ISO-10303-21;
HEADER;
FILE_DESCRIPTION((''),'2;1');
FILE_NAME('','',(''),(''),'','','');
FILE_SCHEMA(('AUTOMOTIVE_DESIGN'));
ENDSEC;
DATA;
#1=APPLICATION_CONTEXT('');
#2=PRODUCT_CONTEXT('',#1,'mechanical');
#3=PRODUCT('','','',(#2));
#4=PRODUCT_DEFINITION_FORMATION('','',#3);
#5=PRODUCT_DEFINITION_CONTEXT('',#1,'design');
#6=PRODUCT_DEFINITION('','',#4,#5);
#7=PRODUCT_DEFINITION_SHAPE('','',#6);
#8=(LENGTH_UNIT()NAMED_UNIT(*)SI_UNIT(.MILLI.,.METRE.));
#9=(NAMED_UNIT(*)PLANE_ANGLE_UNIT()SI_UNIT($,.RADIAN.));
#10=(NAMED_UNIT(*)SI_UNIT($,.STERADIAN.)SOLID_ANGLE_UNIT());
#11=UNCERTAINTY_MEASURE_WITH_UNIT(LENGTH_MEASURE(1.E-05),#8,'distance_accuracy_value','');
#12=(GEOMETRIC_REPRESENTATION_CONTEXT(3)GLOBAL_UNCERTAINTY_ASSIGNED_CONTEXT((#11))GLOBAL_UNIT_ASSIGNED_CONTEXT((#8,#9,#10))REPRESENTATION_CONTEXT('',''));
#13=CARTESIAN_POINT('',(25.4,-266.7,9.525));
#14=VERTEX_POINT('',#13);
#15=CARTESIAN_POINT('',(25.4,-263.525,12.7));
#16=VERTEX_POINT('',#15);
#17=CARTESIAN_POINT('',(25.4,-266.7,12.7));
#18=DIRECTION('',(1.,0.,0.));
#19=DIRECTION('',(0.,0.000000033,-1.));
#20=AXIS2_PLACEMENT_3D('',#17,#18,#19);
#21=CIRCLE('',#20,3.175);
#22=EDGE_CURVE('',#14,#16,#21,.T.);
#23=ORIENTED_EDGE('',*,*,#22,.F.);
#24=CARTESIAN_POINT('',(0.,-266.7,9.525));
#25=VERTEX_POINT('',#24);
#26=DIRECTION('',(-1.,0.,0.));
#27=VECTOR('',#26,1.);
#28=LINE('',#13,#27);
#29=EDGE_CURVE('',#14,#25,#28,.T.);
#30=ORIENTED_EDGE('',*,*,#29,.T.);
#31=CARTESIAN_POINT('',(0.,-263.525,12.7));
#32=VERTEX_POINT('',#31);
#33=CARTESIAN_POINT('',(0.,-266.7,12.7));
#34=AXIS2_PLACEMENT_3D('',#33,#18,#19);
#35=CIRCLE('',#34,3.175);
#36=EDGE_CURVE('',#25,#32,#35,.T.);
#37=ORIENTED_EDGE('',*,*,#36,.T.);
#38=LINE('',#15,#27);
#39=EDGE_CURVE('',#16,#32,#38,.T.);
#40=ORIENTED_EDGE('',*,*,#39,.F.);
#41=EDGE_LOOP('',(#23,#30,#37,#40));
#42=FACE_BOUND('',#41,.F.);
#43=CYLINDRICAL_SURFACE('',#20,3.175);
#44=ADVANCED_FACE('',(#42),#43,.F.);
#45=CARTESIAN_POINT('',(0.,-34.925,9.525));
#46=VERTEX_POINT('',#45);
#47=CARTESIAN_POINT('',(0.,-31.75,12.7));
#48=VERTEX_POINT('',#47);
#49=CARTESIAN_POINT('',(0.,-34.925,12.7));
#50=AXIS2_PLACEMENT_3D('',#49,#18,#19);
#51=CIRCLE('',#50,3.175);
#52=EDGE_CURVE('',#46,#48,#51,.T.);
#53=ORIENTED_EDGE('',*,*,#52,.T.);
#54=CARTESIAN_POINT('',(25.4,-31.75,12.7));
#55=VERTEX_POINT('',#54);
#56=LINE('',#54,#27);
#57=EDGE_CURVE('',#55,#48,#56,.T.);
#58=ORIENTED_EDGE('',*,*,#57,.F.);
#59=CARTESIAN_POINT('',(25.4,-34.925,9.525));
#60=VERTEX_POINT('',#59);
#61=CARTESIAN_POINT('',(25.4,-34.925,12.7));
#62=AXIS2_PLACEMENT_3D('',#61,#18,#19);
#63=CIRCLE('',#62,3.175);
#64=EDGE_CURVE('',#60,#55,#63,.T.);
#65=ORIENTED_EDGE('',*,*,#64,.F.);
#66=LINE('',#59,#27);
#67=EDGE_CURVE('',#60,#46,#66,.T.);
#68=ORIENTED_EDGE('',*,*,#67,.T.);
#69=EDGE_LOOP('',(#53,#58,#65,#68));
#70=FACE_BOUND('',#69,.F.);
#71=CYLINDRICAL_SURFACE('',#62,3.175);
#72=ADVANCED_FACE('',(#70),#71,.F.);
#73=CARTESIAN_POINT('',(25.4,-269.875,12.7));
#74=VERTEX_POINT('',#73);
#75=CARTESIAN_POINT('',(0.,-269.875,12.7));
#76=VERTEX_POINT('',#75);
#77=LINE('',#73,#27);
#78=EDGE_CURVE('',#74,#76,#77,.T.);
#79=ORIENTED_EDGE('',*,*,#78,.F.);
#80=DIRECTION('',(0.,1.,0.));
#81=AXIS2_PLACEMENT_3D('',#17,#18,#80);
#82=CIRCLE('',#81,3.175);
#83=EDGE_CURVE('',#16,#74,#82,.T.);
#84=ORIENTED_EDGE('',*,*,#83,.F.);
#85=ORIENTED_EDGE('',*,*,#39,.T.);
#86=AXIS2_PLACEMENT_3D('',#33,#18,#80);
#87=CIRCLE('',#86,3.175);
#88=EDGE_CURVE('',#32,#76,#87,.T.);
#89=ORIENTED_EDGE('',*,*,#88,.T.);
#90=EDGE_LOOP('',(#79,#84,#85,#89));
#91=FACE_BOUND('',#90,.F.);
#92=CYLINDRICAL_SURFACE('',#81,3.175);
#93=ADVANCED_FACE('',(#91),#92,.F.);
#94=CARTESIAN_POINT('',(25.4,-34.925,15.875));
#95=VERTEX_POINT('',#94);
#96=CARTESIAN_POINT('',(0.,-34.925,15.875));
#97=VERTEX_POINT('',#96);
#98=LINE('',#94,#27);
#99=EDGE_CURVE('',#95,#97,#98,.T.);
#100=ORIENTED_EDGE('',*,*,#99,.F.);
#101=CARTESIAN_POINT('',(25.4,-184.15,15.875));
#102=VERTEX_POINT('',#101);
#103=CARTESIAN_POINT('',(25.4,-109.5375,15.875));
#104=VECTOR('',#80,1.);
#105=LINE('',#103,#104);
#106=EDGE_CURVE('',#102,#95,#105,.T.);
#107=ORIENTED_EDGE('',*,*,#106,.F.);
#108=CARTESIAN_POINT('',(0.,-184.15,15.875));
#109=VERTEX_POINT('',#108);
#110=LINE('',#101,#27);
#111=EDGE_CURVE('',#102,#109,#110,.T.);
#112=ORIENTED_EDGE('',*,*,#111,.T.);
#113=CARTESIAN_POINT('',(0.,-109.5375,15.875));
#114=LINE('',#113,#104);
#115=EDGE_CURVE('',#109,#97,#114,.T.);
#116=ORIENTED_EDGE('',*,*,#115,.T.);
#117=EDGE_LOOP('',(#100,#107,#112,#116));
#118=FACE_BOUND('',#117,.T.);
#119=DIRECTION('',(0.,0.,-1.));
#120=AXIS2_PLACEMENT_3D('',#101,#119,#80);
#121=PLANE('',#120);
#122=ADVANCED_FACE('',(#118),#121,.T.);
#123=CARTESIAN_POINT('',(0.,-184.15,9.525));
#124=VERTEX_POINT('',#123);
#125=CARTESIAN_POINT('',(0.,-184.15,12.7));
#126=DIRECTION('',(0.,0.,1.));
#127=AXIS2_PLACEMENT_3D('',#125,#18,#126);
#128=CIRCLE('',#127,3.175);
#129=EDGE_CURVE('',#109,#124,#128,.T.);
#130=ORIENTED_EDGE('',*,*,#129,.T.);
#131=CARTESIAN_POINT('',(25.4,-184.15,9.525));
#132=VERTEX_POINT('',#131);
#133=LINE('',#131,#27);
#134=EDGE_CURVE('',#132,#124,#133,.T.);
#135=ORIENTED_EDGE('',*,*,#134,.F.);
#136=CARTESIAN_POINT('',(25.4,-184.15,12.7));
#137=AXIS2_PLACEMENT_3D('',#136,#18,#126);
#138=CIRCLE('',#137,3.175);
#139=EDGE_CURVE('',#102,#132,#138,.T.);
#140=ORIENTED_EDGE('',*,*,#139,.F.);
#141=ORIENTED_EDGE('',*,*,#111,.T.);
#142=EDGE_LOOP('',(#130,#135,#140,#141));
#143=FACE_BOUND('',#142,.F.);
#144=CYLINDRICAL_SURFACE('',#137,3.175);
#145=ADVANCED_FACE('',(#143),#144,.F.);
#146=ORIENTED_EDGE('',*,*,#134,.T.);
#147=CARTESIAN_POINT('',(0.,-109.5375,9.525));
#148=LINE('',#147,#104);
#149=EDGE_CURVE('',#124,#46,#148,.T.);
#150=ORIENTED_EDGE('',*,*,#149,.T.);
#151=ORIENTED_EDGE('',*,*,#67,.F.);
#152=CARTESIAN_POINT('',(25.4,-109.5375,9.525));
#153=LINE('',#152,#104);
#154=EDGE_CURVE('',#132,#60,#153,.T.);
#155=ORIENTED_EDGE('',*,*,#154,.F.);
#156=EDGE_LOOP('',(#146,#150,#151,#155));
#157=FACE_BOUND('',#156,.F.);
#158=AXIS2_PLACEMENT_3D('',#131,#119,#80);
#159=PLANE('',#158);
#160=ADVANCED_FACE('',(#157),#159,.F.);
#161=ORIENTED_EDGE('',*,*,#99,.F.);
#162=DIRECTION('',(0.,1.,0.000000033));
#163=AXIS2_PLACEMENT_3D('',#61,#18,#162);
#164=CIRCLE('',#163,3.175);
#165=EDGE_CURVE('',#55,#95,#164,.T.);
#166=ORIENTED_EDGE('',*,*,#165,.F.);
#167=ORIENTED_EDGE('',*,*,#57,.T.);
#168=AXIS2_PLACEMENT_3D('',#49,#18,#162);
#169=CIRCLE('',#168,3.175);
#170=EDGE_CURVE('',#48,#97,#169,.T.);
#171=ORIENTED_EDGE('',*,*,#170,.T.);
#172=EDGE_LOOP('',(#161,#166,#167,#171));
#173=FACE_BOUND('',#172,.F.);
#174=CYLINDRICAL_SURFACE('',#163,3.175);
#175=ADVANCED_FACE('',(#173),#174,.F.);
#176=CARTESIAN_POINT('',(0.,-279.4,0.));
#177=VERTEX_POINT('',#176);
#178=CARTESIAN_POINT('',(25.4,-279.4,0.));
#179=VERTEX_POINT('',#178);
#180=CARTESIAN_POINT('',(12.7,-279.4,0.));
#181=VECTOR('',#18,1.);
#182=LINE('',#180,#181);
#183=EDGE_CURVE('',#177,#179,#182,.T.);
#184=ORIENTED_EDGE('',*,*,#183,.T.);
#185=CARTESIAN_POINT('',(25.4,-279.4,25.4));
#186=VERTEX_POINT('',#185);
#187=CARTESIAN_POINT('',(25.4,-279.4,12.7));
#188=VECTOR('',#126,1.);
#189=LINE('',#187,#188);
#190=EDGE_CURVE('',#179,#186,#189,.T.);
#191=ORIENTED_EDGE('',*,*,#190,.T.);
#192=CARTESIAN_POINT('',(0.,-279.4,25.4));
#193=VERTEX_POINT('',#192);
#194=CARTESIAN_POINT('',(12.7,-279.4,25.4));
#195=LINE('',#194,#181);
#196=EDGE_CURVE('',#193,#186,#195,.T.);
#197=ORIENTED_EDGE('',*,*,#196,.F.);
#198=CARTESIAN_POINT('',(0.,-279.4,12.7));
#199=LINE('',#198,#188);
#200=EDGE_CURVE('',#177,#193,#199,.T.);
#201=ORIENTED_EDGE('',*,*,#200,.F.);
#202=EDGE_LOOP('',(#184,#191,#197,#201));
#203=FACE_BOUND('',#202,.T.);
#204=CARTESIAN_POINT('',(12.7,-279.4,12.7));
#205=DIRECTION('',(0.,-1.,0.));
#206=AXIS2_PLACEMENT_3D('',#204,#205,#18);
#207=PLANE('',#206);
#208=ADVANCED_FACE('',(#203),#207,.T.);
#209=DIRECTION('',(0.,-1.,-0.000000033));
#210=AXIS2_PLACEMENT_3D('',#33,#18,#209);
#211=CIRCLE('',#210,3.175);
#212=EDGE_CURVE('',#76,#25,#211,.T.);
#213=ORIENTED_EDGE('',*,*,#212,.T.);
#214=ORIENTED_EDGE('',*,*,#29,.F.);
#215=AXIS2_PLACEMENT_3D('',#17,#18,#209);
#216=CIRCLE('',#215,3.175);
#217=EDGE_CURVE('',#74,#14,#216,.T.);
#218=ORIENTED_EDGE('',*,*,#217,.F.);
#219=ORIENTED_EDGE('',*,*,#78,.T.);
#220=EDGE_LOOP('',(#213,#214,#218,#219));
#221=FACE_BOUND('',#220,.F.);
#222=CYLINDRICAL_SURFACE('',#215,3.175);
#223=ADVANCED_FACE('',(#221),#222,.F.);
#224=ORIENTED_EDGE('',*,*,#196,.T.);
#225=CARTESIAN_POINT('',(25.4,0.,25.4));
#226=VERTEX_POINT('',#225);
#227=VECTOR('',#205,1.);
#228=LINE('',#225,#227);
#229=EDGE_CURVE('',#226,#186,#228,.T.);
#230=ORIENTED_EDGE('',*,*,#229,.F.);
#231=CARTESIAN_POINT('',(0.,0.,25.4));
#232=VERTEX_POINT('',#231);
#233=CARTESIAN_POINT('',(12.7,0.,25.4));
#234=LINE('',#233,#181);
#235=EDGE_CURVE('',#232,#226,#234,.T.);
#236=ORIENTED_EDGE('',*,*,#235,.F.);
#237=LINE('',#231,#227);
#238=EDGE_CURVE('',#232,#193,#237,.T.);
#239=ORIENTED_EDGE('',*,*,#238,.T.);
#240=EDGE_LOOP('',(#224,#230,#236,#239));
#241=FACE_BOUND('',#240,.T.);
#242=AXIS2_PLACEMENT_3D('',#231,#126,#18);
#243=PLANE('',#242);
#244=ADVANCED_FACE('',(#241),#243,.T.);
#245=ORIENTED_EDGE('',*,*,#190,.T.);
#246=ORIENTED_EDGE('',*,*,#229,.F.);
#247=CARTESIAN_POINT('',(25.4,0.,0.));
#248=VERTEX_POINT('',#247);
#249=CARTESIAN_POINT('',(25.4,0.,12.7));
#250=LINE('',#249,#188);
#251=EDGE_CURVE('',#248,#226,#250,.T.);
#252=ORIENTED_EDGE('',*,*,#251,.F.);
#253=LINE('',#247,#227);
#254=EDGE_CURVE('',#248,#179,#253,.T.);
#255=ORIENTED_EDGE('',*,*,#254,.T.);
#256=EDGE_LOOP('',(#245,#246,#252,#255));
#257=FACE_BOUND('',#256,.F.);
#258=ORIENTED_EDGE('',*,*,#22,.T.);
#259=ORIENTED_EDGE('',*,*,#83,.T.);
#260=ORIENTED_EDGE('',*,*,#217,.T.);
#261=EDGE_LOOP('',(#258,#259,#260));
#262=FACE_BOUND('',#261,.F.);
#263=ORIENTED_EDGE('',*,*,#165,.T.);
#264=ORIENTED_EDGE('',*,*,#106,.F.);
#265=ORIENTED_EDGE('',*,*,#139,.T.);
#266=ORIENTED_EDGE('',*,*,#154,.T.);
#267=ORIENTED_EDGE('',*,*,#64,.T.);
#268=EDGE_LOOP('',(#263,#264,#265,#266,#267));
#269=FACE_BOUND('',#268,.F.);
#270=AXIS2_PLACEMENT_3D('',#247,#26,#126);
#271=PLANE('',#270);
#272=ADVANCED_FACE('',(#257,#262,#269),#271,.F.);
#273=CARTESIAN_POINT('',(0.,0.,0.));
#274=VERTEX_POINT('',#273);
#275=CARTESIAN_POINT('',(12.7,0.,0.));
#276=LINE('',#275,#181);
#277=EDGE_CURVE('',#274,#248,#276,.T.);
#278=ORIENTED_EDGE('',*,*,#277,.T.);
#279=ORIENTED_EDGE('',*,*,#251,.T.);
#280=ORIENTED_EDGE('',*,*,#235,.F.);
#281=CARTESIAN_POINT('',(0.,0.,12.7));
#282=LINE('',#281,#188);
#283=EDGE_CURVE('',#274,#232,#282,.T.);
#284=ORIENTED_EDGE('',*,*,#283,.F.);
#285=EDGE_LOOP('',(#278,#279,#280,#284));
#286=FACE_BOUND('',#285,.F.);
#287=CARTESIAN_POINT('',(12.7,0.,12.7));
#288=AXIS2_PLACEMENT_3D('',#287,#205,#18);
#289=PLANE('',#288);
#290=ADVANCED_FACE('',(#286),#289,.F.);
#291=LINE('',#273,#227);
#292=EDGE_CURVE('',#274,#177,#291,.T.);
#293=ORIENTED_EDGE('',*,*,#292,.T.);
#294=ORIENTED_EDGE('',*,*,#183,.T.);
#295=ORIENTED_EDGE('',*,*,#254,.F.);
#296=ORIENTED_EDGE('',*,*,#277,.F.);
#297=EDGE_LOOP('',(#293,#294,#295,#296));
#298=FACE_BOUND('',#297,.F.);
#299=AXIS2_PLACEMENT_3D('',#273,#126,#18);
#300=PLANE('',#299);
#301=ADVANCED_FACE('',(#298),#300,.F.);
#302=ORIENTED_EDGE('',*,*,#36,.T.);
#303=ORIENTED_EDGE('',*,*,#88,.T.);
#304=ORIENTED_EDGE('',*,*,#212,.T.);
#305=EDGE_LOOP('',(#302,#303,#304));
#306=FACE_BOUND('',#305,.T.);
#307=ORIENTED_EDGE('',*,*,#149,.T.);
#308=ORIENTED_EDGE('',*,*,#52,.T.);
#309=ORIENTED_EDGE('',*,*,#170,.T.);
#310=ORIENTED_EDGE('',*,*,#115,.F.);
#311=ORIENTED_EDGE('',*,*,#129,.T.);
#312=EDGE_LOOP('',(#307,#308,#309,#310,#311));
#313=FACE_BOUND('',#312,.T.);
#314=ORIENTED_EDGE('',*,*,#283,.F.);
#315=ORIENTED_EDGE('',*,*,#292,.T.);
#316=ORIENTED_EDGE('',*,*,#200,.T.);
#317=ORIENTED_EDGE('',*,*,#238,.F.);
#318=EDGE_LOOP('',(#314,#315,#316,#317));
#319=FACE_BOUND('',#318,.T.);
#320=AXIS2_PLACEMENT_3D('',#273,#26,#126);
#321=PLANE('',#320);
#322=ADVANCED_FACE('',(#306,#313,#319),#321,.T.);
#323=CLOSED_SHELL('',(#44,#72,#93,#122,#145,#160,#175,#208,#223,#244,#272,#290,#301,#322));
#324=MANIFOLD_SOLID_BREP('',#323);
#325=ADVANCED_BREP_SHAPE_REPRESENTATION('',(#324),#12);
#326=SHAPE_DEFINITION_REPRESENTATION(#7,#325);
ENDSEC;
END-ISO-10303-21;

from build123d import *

# Parameters (mm, degrees)
F0_W     = 25.4
F0_H     = 25.4
F1_DEPTH = 279.4
F2_W     = 149.225
F2_H     = 6.35
F3_DEPTH = 25.4


with BuildPart() as f1:
    # F0 (on Front) → F1 (new body)
    with BuildSketch(Plane.XZ):
        with Locations((12.7, 12.7)):
            Rectangle(F0_W, F0_H)
    extrude(amount=F1_DEPTH)

    # F2 (on face) → F3 (cut)
    with BuildSketch(Plane.YZ.offset(25.4)):
        with BuildLine():
            ThreePointArc((-263.525, 12.7), (-266.7, 15.875), (-269.875, 12.7))
            Line((-269.875, 12.7), (-266.7, 12.7))
            Line((-266.7, 12.7), (-266.7, 9.525))
            ThreePointArc((-266.7, 9.525), (-264.454936, 10.454936), (-263.525, 12.7))
        make_face()
        with BuildLine():
            Line((-266.7, 12.7), (-269.875, 12.7))
            ThreePointArc((-269.875, 12.7), (-268.945064, 10.454936), (-266.7, 9.525))
            Line((-266.7, 9.525), (-266.7, 12.7))
        make_face()
        with BuildLine():
            ThreePointArc((-184.15, 15.875), (-187.325, 12.7), (-184.15, 9.525))
            Line((-184.15, 9.525), (-184.15, 15.875))
        make_face()
        with Locations((-109.5375, 12.7)):
            Rectangle(F2_W, F2_H)
        with BuildLine():
            ThreePointArc((-34.925, 9.525), (-32.679936, 10.454936), (-31.75, 12.7))
            ThreePointArc((-31.75, 12.7), (-32.679936, 14.945064), (-34.925, 15.875))
            Line((-34.925, 15.875), (-34.925, 9.525))
        make_face()
    extrude(amount=-F3_DEPTH, mode=Mode.SUBTRACT)


solid = f1.part
